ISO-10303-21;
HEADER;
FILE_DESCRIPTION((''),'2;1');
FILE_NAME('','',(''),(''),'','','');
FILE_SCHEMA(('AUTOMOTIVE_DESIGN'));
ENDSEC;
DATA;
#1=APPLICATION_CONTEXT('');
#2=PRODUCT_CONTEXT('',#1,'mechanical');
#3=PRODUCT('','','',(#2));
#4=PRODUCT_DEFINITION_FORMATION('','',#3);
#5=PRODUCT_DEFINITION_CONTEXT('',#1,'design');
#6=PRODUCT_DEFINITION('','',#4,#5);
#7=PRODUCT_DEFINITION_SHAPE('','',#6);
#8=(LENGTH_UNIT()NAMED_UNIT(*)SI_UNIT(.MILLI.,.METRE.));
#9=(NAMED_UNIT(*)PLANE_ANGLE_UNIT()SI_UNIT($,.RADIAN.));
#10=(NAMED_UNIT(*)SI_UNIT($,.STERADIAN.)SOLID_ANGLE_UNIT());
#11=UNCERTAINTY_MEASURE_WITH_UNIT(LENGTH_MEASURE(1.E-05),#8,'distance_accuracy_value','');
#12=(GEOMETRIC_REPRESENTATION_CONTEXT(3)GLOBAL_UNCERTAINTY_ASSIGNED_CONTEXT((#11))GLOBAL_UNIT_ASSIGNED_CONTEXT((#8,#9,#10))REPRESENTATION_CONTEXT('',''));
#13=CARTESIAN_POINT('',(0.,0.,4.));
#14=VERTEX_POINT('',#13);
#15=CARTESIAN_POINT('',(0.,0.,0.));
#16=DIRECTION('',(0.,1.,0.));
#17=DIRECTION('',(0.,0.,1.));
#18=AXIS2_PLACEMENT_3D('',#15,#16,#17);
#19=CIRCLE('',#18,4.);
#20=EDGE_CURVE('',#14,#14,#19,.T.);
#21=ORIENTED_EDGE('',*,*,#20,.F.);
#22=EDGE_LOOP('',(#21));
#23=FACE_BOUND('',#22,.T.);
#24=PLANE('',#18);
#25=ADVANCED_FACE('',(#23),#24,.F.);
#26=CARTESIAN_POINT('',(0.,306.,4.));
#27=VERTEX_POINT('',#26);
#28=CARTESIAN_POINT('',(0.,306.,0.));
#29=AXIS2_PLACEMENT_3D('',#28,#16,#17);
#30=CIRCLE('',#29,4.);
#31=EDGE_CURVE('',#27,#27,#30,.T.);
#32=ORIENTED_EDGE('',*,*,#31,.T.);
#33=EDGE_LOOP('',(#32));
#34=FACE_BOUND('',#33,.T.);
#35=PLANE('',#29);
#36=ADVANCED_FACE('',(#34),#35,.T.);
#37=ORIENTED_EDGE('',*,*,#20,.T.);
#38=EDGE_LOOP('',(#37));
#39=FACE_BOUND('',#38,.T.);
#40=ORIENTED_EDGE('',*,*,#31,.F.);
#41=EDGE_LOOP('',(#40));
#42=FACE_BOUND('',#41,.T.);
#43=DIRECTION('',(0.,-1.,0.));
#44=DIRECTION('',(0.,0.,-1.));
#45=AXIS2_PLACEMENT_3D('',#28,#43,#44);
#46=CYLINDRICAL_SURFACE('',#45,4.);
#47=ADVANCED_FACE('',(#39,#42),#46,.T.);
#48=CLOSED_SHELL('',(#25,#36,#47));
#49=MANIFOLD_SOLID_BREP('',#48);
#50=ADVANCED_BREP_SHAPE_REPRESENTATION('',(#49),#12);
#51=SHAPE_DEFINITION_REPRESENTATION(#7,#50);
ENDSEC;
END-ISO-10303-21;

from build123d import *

# Parameters (mm, degrees)
ESQUISSE1_R = 4


with BuildPart() as part:
    # Balayage1: sweep along a path in Esquisse2
    with BuildLine(Plane.XY) as balayage1_path:
        Line((0, 0), (0, 306))
    # Esquisse1 → Balayage1 (sweep)
    with BuildSketch(Plane(origin=(0, 0, 0), x_dir=(1, 0, 0), z_dir=(0, 1, 0))):
        Circle(ESQUISSE1_R)
    sweep(path=balayage1_path.line)


solid = part.part
